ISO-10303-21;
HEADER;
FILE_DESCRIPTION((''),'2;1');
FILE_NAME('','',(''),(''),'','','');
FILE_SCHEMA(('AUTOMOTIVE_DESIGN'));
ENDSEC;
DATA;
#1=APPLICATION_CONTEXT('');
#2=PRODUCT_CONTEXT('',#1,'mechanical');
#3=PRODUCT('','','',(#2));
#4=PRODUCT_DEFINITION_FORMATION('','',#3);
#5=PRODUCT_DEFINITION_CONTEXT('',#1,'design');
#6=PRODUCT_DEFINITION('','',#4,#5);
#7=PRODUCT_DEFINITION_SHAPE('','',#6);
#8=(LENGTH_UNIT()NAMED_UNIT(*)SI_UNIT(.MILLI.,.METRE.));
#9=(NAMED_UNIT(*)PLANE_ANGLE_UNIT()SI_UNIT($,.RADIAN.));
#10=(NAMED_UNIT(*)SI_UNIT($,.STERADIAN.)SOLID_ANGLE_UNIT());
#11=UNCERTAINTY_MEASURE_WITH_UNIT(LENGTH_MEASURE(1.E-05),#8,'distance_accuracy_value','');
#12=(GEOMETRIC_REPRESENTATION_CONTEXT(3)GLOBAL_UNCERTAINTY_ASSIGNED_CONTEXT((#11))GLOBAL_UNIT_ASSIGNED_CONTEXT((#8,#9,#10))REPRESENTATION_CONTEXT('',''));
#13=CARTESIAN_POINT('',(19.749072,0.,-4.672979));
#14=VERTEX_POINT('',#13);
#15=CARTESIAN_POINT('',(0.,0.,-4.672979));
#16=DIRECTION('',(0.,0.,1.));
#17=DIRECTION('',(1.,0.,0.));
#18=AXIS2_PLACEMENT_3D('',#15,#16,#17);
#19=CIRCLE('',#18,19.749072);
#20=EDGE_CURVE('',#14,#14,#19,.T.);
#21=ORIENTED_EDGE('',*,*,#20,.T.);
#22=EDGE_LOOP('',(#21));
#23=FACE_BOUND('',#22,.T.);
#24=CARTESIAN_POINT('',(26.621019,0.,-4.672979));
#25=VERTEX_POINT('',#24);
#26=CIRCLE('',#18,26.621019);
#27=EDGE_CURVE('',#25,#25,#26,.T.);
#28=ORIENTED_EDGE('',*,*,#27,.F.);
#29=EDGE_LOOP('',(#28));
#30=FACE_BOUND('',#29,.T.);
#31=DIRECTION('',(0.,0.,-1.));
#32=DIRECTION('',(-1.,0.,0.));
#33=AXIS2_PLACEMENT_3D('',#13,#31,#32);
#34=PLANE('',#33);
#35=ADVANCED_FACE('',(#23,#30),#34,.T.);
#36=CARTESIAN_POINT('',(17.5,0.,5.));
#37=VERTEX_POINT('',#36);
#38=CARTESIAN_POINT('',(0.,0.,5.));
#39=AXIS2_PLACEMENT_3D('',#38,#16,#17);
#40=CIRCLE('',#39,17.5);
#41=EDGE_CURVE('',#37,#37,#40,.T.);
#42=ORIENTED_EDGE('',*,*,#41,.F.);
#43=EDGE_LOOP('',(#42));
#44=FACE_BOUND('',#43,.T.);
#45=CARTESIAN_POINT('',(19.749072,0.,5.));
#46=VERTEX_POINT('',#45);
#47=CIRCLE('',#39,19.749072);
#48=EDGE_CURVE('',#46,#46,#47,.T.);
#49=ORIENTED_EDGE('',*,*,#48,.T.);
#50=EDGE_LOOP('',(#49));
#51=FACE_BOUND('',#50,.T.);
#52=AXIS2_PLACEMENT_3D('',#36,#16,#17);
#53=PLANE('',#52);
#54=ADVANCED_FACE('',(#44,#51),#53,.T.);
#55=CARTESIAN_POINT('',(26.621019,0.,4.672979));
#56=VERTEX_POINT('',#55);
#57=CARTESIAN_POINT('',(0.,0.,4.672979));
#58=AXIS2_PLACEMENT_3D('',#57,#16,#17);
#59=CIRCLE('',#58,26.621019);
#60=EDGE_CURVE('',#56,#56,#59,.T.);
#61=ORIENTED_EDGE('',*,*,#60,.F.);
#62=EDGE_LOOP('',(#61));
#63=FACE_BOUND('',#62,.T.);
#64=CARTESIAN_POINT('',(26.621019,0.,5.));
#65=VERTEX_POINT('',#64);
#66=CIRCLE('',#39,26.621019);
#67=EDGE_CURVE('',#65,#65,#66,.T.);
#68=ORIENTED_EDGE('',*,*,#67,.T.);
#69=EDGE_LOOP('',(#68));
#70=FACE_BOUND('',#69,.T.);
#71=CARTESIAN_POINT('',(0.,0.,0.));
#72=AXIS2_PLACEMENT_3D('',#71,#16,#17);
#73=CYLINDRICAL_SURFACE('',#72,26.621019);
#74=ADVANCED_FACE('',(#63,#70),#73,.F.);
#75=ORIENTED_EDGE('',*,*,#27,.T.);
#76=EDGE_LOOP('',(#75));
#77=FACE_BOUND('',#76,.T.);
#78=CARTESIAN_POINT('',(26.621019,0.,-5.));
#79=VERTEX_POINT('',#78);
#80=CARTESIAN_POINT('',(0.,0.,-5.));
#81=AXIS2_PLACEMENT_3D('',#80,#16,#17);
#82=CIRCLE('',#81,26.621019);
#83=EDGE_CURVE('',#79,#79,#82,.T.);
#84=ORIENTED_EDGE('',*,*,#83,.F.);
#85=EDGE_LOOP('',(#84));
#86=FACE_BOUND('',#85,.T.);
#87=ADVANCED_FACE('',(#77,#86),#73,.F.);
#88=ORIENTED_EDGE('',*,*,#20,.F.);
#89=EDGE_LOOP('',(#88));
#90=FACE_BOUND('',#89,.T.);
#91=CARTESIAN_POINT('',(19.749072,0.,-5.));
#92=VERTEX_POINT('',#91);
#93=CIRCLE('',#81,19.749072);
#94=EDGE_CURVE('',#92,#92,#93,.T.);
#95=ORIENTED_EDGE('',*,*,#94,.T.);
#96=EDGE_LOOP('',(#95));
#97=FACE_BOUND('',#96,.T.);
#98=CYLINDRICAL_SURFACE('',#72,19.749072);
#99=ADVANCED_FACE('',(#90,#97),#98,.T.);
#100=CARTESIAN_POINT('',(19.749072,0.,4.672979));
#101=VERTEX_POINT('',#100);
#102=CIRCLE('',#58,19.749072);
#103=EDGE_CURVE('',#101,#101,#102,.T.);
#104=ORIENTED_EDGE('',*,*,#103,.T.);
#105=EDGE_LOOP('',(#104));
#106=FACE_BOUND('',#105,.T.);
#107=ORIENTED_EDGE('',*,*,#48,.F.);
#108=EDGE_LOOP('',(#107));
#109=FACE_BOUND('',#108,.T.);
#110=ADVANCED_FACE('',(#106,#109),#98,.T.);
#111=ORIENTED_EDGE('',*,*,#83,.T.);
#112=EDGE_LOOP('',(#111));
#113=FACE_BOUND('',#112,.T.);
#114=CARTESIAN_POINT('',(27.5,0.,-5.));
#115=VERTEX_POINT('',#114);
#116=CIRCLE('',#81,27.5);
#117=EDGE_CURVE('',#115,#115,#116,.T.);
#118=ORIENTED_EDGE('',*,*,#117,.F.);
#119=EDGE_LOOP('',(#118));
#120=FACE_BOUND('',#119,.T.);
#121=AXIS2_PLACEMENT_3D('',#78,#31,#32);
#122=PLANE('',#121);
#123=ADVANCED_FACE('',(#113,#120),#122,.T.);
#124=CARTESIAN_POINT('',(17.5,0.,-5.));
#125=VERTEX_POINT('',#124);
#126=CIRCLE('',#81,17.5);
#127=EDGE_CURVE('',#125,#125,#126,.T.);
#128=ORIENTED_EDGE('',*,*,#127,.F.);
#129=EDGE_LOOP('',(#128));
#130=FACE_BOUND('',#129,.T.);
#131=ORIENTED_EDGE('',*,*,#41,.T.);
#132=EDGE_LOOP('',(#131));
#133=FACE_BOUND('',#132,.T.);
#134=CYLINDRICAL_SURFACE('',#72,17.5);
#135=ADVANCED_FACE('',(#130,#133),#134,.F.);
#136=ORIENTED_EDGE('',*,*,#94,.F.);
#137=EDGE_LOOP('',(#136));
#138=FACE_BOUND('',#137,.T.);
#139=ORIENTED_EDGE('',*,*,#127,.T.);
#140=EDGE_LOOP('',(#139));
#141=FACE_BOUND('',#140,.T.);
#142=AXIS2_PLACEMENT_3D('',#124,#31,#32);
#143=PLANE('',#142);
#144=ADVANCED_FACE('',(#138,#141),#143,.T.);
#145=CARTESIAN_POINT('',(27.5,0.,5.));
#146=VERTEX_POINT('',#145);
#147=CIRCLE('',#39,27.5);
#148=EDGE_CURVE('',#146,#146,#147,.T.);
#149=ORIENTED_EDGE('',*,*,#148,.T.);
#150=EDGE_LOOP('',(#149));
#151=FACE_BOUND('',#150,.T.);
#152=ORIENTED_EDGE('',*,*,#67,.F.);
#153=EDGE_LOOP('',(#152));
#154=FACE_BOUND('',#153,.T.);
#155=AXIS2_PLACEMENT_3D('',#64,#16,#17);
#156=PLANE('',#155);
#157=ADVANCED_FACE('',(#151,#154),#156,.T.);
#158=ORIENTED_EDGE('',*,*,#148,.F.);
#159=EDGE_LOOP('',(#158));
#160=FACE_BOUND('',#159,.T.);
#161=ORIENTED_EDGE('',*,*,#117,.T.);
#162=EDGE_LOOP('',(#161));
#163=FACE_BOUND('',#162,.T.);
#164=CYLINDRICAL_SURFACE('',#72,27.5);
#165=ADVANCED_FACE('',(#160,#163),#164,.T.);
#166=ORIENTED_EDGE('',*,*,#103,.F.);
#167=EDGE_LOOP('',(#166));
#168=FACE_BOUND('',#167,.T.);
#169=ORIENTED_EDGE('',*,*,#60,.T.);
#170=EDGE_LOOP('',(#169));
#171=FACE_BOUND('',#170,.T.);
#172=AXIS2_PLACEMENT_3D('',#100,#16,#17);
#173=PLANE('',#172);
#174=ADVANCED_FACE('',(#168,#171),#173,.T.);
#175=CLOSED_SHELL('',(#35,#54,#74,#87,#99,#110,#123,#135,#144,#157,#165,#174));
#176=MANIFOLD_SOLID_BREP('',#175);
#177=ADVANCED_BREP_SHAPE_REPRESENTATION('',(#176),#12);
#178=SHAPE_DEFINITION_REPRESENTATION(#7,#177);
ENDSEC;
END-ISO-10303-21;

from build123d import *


with BuildPart() as part:
    # Sketch1 → Revolve1 (revolve)
    with BuildSketch(Plane(origin=(0, 0, 0), x_dir=(1, 0, 0), z_dir=(0, 1, 0))):
        Polygon((17.5, -5), (17.5, 5), (19.749072232, 5), (19.749072232, 4.672979423), (26.621019229, 4.672979423), (26.621019229, 5), (27.5, 5), (27.5, -5), (26.621019229, -5), (26.621019229, -4.672979423), (19.749072232, -4.672979423), (19.749072232, -5), align=None)
    revolve(axis=Axis((0, 0, 0), (0, 0, -1)))


solid = part.part
